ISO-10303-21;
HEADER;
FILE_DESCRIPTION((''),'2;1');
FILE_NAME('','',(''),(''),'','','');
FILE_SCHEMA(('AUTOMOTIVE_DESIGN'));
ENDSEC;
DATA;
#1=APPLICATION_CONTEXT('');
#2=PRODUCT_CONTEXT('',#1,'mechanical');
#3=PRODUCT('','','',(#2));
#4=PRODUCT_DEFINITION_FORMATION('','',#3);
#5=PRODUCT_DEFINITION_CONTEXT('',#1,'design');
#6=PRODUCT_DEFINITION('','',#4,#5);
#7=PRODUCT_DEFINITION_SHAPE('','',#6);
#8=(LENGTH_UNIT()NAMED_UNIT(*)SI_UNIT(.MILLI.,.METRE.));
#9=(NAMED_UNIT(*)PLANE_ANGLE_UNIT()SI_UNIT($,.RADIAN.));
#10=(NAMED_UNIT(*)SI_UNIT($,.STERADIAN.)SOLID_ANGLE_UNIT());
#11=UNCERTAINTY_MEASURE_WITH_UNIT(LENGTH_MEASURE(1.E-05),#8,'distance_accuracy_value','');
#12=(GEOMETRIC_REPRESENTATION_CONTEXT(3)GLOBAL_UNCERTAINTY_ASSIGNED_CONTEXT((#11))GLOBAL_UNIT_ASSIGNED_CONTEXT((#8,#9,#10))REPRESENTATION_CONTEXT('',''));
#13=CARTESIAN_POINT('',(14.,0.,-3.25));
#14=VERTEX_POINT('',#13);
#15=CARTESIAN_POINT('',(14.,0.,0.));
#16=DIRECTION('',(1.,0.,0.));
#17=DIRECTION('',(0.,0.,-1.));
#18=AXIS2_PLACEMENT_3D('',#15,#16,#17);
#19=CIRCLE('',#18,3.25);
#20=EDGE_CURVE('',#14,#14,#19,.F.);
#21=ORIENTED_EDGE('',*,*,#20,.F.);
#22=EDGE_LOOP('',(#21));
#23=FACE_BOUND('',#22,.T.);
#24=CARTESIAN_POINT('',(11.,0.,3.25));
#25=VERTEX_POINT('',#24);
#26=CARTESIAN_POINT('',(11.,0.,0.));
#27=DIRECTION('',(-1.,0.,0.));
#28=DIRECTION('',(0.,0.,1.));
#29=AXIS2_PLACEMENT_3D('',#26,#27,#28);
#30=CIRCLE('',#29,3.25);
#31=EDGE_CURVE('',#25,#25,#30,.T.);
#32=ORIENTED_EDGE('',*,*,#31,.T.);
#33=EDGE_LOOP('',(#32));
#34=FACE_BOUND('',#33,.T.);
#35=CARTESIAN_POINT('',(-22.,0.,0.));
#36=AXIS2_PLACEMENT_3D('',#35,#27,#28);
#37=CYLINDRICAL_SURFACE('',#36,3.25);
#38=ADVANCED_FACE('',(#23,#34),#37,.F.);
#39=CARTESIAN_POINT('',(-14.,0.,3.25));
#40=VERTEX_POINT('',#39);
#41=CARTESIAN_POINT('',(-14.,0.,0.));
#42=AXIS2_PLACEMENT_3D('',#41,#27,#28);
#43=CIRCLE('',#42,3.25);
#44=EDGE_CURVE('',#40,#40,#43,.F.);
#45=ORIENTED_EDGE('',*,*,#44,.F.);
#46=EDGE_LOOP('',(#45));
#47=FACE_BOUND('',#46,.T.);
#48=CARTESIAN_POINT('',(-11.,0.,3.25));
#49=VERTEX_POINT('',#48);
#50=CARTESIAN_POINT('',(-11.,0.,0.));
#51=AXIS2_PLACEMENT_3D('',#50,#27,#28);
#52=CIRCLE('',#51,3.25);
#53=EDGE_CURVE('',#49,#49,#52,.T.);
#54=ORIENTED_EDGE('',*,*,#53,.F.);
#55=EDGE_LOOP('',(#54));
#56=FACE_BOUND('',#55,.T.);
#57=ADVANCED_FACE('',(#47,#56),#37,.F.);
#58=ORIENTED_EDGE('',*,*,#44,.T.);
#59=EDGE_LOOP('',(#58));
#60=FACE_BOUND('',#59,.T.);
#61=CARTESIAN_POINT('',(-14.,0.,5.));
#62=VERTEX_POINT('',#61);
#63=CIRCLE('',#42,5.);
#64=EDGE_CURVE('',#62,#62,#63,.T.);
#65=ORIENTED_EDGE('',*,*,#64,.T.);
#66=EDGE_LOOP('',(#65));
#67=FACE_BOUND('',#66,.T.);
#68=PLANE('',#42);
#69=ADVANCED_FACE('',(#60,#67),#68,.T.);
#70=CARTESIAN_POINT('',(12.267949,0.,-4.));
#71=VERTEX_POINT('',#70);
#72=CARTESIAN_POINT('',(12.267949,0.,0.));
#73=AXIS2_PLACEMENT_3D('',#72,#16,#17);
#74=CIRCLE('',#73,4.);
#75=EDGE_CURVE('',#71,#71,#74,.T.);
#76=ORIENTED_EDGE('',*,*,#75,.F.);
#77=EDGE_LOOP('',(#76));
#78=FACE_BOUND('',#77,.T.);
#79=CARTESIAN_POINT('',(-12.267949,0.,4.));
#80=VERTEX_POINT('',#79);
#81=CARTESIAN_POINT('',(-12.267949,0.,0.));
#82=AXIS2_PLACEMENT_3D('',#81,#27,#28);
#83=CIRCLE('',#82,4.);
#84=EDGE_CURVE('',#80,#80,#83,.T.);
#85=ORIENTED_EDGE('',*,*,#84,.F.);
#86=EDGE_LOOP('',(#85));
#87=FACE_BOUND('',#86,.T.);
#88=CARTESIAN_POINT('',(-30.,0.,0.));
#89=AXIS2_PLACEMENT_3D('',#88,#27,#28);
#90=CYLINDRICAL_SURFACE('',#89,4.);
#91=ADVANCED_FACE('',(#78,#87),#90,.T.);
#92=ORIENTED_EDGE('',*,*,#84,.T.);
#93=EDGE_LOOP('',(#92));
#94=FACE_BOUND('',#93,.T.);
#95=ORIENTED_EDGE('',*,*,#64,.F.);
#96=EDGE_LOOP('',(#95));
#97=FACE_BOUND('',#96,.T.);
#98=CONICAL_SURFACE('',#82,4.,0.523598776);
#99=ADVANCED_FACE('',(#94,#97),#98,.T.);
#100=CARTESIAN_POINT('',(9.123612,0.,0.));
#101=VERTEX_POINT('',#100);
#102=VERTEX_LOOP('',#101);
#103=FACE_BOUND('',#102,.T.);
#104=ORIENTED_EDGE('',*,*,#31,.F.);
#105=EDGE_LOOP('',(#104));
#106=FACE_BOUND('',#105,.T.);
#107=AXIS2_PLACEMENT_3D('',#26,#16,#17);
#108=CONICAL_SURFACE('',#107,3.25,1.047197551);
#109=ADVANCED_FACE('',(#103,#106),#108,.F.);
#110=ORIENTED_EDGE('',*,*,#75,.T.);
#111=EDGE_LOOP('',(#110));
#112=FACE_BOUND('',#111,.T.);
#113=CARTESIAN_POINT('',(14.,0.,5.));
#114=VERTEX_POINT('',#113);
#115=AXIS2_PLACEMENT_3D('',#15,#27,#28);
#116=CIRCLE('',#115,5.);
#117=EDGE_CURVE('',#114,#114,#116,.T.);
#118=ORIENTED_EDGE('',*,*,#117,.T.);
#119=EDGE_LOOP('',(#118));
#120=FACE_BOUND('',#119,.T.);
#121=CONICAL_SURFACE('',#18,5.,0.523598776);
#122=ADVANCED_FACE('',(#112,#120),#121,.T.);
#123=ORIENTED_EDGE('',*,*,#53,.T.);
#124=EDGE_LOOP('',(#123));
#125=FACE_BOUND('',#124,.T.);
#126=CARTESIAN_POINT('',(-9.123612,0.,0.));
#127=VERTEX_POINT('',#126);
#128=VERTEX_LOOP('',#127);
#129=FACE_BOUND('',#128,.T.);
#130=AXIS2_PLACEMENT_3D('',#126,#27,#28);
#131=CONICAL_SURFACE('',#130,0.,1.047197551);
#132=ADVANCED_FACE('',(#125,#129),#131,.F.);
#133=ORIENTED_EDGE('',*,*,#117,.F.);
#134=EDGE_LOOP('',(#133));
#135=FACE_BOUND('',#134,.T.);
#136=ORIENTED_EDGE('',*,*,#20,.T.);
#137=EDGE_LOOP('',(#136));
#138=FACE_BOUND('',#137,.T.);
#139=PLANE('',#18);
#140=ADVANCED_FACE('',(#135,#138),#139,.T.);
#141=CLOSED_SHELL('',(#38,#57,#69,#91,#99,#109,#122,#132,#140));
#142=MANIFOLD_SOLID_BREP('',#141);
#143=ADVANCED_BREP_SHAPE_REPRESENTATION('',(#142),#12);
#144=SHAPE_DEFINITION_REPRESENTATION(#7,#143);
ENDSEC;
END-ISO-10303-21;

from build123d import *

# Parameters (mm, degrees)
SKETCH1_W = 30
SKETCH1_H = 4
SKETCH2_W = 2
SKETCH2_H = 5


with BuildPart() as part:
    # Sketch1 → Base-Revolve (revolve)
    with BuildSketch(Plane.XY, mode=Mode.PRIVATE) as base_revolve_sk:
        with Locations((0, 2)):
            Rectangle(SKETCH1_W, SKETCH1_H)
    revolve(base_revolve_sk.sketch.rotate(Axis((-30, 0, 0), (1, 0, 0)), 90), axis=Axis((-30, 0, 0), (1, 0, 0)))

    # Sketch2 → Cut-to-GripLength (revolve, cut)
    with BuildSketch(Plane.XY):
        with Locations((-15, 2.5)):
            Rectangle(SKETCH2_W, SKETCH2_H)
        with Locations((15, 2.5)):
            Rectangle(SKETCH2_W, SKETCH2_H)
    revolve(axis=Axis((-30, 0, 0), (1, 0, 0)), mode=Mode.SUBTRACT)

    # Sketch4 → HeadTypeB (revolve)
    with BuildSketch(Plane.XY, mode=Mode.PRIVATE) as headtypeb_sk:
        Polygon((-14, 0), (-14, 5), (-12.267949192, 4), (-12.267949192, 0), align=None)
        Polygon((12.267949192, 0), (14, 0), (14, 5), (12.267949192, 4), align=None)
    revolve(headtypeb_sk.sketch.rotate(Axis((-20, 0, 0), (1, 0, 0)), 90), axis=Axis((-20, 0, 0), (1, 0, 0)))

    # Sketch5 → HoleTypeA (revolve, cut)
    with BuildSketch(Plane.XY, mode=Mode.PRIVATE) as holetypea_sk:
        Polygon((-9.123611625, 0), (-11, 3.25), (-15, 3.25), (-15, 0), align=None)
        Polygon((9.123611625, 0), (11, 3.25), (15, 3.25), (15, 0), align=None)
    revolve(holetypea_sk.sketch.rotate(Axis((-22, 0, 0), (1, 0, 0)), 90), axis=Axis((-22, 0, 0), (1, 0, 0)), mode=Mode.SUBTRACT)


solid = part.part
